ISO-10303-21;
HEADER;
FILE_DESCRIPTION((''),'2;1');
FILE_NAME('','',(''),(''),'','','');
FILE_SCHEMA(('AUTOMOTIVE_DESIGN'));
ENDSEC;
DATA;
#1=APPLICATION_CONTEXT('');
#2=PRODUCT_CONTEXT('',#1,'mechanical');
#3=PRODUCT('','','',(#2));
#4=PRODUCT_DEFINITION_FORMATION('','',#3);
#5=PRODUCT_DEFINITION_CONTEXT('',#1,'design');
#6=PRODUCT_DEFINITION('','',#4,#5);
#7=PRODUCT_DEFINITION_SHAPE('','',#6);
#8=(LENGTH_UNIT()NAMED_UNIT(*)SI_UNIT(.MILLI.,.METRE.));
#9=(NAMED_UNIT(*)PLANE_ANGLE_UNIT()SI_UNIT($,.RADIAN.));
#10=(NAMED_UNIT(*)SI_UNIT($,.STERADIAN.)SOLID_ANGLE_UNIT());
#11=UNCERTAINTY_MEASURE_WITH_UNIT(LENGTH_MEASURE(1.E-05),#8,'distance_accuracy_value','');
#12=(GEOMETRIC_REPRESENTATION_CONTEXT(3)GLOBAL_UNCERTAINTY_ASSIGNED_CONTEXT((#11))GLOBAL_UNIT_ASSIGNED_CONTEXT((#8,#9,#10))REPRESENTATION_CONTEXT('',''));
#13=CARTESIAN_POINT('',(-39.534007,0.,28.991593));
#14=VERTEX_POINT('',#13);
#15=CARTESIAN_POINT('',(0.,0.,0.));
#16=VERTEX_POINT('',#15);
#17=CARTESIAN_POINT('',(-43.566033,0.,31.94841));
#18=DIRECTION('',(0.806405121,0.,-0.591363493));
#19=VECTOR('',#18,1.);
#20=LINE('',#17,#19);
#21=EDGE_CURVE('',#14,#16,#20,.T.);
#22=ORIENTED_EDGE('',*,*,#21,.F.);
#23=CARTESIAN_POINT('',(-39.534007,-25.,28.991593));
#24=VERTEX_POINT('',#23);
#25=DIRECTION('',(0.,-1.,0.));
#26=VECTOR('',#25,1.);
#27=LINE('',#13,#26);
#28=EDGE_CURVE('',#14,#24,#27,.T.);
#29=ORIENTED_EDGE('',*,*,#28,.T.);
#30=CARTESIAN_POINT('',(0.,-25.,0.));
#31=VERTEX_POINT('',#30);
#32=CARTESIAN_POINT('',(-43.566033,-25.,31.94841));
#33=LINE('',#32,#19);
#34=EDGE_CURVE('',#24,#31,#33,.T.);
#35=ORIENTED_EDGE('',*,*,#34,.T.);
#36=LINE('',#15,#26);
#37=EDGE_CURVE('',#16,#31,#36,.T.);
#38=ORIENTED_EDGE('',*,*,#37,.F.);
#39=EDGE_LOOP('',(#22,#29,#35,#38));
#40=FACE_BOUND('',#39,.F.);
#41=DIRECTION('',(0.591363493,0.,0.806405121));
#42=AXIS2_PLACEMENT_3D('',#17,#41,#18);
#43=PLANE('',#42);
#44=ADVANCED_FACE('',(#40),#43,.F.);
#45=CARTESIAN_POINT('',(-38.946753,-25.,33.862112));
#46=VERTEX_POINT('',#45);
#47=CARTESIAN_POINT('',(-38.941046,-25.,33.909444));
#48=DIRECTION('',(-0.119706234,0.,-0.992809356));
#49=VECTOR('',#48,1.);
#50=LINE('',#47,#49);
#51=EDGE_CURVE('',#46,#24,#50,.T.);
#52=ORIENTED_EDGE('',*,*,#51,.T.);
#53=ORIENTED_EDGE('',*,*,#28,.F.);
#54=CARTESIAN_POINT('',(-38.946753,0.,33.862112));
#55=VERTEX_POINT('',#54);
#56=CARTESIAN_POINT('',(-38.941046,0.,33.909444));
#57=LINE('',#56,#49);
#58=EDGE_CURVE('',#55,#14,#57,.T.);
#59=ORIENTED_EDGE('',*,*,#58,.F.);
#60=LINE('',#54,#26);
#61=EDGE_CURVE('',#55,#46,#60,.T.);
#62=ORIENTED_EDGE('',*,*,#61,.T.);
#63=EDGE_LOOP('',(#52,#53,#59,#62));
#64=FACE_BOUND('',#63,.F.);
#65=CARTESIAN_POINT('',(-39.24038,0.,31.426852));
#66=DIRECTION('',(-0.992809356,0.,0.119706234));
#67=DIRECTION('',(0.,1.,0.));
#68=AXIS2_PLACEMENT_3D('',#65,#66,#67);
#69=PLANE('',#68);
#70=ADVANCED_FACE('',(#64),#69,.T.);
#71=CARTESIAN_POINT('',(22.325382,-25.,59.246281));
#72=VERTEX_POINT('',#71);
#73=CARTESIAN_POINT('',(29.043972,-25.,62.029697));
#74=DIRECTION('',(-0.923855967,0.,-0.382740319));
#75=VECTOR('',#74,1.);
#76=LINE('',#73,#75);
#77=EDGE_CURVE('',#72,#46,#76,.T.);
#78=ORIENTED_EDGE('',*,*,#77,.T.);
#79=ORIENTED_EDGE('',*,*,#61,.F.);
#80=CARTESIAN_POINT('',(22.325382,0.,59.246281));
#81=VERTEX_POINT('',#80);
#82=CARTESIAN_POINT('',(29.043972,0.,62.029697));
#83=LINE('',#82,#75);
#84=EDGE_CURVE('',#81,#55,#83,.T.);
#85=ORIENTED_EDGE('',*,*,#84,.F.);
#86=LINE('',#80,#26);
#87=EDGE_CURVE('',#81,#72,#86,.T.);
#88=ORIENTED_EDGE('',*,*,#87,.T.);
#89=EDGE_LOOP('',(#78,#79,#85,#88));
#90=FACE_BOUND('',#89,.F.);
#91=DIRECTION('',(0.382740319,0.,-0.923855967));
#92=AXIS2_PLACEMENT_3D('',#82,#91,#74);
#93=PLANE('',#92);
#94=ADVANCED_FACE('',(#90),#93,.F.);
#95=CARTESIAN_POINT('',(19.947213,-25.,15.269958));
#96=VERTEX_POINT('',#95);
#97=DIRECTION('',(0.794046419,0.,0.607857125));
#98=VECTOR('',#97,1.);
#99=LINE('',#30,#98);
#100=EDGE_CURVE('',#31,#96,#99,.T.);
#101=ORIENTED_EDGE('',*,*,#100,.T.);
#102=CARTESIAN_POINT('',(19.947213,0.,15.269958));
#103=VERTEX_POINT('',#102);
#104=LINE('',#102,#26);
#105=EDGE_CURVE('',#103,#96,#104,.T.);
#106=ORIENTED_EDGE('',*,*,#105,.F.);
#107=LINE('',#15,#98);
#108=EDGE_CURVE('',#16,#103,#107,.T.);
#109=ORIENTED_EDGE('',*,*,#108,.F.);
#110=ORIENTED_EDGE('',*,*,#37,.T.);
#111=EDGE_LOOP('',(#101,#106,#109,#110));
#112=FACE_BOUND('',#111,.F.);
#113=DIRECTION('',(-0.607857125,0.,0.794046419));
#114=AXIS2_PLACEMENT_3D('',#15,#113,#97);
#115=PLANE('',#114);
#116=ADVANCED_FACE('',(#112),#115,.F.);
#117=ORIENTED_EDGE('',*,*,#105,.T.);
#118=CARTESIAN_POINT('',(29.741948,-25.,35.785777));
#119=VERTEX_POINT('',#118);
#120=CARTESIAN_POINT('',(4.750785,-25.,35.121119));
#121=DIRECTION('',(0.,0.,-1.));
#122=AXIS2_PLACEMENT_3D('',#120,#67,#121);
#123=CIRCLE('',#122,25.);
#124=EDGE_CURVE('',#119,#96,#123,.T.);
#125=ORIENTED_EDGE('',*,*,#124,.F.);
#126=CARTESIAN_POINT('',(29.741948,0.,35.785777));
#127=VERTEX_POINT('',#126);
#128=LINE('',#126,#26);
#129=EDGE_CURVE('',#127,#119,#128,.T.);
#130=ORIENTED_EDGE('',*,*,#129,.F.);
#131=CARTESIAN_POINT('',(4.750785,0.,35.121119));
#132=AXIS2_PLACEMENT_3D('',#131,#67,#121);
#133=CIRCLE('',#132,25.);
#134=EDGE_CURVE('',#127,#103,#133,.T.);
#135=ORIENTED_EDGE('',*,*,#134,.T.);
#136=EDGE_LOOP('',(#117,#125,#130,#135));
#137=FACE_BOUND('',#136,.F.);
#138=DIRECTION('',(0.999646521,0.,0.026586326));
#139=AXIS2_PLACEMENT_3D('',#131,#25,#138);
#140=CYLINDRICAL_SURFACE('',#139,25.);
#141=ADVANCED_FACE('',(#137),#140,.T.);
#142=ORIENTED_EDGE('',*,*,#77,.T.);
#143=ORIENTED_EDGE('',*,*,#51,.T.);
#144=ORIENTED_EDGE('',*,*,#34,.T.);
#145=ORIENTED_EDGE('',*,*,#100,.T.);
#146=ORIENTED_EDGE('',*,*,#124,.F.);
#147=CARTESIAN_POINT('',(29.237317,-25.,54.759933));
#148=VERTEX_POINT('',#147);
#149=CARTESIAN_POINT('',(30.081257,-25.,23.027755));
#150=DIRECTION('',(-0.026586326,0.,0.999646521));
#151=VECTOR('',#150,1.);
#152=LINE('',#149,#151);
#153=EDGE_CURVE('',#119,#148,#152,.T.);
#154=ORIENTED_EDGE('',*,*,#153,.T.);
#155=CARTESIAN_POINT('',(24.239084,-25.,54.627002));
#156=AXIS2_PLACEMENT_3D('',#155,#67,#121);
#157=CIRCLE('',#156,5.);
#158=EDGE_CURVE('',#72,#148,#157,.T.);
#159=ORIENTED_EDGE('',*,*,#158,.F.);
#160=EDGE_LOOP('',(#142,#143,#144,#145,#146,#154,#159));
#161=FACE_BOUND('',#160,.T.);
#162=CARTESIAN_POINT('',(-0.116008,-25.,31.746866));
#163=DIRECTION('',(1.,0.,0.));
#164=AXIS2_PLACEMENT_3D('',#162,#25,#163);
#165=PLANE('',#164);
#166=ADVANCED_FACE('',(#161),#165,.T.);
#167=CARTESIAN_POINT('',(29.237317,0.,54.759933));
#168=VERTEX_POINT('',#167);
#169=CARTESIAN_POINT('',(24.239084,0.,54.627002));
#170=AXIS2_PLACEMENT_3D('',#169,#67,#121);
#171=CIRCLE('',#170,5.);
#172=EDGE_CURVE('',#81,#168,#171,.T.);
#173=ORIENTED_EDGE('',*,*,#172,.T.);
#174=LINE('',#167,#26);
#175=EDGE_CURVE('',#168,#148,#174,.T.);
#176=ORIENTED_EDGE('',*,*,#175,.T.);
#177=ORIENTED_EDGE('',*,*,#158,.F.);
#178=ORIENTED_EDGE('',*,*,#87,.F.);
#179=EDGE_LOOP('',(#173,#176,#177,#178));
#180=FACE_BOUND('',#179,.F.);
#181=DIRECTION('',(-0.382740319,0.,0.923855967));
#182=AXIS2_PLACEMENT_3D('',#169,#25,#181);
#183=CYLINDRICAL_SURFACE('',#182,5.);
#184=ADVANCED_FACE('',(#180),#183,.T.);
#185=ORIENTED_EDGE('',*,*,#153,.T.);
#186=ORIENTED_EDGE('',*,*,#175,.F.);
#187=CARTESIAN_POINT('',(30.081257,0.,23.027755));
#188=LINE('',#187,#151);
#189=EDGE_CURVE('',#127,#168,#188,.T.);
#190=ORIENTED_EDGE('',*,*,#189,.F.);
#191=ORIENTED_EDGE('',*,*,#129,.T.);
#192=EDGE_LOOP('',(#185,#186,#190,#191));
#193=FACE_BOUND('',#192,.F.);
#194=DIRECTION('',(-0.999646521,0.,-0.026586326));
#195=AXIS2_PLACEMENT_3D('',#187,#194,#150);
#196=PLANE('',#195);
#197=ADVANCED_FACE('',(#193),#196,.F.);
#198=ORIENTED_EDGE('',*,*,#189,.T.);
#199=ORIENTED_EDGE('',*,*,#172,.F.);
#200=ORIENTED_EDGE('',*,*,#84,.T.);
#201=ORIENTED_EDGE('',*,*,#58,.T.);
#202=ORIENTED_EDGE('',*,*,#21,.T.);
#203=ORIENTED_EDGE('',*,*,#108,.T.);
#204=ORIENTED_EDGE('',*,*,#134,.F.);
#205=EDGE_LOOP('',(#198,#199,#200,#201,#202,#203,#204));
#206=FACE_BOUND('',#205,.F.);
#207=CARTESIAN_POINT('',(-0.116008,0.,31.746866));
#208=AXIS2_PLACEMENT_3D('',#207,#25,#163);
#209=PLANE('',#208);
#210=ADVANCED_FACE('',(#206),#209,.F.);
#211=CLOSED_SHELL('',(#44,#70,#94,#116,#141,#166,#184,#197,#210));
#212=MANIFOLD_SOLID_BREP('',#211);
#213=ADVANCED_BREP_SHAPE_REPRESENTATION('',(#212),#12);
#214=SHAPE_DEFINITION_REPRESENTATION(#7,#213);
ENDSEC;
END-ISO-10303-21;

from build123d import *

# Parameters (mm, degrees)
F1_DEPTH = 25
F2_SIZE  = 5
F3_R     = 5
F4_R     = 25
F5_R     = 7.049752
F6_DEPTH = 25


with BuildPart() as f1:
    # F0 (on Front) → F1 (new body)
    with BuildSketch(Plane.XZ):
        Polygon((0, 0), (30.081257, 23.027755), (29.043972, 62.029697), (-43.566033, 31.94841), align=None)
    extrude(amount=F1_DEPTH)

    # F2
    f2_edges = [f1.edges().sort_by_distance(p)[0] for p in [
        (-43.566033, -12.5, 31.94841),
    ]]
    chamfer(f2_edges, length=F2_SIZE)

    # F3
    f3_edges = [f1.edges().sort_by_distance(p)[0] for p in [
        (29.043972, -12.5, 62.029697),
    ]]
    fillet(f3_edges, radius=F3_R)

    # F4
    f4_edges = [f1.edges().sort_by_distance(p)[0] for p in [
        (30.081257, -12.5, 23.027755),
    ]]
    fillet(f4_edges, radius=F4_R)

    # F5 (on face) → F6 (join)
    with BuildSketch(Plane.XZ.offset(25)):
        with Locations((0, 40.225446)):
            Circle(F5_R)
    extrude(amount=-F6_DEPTH)


solid = f1.part
